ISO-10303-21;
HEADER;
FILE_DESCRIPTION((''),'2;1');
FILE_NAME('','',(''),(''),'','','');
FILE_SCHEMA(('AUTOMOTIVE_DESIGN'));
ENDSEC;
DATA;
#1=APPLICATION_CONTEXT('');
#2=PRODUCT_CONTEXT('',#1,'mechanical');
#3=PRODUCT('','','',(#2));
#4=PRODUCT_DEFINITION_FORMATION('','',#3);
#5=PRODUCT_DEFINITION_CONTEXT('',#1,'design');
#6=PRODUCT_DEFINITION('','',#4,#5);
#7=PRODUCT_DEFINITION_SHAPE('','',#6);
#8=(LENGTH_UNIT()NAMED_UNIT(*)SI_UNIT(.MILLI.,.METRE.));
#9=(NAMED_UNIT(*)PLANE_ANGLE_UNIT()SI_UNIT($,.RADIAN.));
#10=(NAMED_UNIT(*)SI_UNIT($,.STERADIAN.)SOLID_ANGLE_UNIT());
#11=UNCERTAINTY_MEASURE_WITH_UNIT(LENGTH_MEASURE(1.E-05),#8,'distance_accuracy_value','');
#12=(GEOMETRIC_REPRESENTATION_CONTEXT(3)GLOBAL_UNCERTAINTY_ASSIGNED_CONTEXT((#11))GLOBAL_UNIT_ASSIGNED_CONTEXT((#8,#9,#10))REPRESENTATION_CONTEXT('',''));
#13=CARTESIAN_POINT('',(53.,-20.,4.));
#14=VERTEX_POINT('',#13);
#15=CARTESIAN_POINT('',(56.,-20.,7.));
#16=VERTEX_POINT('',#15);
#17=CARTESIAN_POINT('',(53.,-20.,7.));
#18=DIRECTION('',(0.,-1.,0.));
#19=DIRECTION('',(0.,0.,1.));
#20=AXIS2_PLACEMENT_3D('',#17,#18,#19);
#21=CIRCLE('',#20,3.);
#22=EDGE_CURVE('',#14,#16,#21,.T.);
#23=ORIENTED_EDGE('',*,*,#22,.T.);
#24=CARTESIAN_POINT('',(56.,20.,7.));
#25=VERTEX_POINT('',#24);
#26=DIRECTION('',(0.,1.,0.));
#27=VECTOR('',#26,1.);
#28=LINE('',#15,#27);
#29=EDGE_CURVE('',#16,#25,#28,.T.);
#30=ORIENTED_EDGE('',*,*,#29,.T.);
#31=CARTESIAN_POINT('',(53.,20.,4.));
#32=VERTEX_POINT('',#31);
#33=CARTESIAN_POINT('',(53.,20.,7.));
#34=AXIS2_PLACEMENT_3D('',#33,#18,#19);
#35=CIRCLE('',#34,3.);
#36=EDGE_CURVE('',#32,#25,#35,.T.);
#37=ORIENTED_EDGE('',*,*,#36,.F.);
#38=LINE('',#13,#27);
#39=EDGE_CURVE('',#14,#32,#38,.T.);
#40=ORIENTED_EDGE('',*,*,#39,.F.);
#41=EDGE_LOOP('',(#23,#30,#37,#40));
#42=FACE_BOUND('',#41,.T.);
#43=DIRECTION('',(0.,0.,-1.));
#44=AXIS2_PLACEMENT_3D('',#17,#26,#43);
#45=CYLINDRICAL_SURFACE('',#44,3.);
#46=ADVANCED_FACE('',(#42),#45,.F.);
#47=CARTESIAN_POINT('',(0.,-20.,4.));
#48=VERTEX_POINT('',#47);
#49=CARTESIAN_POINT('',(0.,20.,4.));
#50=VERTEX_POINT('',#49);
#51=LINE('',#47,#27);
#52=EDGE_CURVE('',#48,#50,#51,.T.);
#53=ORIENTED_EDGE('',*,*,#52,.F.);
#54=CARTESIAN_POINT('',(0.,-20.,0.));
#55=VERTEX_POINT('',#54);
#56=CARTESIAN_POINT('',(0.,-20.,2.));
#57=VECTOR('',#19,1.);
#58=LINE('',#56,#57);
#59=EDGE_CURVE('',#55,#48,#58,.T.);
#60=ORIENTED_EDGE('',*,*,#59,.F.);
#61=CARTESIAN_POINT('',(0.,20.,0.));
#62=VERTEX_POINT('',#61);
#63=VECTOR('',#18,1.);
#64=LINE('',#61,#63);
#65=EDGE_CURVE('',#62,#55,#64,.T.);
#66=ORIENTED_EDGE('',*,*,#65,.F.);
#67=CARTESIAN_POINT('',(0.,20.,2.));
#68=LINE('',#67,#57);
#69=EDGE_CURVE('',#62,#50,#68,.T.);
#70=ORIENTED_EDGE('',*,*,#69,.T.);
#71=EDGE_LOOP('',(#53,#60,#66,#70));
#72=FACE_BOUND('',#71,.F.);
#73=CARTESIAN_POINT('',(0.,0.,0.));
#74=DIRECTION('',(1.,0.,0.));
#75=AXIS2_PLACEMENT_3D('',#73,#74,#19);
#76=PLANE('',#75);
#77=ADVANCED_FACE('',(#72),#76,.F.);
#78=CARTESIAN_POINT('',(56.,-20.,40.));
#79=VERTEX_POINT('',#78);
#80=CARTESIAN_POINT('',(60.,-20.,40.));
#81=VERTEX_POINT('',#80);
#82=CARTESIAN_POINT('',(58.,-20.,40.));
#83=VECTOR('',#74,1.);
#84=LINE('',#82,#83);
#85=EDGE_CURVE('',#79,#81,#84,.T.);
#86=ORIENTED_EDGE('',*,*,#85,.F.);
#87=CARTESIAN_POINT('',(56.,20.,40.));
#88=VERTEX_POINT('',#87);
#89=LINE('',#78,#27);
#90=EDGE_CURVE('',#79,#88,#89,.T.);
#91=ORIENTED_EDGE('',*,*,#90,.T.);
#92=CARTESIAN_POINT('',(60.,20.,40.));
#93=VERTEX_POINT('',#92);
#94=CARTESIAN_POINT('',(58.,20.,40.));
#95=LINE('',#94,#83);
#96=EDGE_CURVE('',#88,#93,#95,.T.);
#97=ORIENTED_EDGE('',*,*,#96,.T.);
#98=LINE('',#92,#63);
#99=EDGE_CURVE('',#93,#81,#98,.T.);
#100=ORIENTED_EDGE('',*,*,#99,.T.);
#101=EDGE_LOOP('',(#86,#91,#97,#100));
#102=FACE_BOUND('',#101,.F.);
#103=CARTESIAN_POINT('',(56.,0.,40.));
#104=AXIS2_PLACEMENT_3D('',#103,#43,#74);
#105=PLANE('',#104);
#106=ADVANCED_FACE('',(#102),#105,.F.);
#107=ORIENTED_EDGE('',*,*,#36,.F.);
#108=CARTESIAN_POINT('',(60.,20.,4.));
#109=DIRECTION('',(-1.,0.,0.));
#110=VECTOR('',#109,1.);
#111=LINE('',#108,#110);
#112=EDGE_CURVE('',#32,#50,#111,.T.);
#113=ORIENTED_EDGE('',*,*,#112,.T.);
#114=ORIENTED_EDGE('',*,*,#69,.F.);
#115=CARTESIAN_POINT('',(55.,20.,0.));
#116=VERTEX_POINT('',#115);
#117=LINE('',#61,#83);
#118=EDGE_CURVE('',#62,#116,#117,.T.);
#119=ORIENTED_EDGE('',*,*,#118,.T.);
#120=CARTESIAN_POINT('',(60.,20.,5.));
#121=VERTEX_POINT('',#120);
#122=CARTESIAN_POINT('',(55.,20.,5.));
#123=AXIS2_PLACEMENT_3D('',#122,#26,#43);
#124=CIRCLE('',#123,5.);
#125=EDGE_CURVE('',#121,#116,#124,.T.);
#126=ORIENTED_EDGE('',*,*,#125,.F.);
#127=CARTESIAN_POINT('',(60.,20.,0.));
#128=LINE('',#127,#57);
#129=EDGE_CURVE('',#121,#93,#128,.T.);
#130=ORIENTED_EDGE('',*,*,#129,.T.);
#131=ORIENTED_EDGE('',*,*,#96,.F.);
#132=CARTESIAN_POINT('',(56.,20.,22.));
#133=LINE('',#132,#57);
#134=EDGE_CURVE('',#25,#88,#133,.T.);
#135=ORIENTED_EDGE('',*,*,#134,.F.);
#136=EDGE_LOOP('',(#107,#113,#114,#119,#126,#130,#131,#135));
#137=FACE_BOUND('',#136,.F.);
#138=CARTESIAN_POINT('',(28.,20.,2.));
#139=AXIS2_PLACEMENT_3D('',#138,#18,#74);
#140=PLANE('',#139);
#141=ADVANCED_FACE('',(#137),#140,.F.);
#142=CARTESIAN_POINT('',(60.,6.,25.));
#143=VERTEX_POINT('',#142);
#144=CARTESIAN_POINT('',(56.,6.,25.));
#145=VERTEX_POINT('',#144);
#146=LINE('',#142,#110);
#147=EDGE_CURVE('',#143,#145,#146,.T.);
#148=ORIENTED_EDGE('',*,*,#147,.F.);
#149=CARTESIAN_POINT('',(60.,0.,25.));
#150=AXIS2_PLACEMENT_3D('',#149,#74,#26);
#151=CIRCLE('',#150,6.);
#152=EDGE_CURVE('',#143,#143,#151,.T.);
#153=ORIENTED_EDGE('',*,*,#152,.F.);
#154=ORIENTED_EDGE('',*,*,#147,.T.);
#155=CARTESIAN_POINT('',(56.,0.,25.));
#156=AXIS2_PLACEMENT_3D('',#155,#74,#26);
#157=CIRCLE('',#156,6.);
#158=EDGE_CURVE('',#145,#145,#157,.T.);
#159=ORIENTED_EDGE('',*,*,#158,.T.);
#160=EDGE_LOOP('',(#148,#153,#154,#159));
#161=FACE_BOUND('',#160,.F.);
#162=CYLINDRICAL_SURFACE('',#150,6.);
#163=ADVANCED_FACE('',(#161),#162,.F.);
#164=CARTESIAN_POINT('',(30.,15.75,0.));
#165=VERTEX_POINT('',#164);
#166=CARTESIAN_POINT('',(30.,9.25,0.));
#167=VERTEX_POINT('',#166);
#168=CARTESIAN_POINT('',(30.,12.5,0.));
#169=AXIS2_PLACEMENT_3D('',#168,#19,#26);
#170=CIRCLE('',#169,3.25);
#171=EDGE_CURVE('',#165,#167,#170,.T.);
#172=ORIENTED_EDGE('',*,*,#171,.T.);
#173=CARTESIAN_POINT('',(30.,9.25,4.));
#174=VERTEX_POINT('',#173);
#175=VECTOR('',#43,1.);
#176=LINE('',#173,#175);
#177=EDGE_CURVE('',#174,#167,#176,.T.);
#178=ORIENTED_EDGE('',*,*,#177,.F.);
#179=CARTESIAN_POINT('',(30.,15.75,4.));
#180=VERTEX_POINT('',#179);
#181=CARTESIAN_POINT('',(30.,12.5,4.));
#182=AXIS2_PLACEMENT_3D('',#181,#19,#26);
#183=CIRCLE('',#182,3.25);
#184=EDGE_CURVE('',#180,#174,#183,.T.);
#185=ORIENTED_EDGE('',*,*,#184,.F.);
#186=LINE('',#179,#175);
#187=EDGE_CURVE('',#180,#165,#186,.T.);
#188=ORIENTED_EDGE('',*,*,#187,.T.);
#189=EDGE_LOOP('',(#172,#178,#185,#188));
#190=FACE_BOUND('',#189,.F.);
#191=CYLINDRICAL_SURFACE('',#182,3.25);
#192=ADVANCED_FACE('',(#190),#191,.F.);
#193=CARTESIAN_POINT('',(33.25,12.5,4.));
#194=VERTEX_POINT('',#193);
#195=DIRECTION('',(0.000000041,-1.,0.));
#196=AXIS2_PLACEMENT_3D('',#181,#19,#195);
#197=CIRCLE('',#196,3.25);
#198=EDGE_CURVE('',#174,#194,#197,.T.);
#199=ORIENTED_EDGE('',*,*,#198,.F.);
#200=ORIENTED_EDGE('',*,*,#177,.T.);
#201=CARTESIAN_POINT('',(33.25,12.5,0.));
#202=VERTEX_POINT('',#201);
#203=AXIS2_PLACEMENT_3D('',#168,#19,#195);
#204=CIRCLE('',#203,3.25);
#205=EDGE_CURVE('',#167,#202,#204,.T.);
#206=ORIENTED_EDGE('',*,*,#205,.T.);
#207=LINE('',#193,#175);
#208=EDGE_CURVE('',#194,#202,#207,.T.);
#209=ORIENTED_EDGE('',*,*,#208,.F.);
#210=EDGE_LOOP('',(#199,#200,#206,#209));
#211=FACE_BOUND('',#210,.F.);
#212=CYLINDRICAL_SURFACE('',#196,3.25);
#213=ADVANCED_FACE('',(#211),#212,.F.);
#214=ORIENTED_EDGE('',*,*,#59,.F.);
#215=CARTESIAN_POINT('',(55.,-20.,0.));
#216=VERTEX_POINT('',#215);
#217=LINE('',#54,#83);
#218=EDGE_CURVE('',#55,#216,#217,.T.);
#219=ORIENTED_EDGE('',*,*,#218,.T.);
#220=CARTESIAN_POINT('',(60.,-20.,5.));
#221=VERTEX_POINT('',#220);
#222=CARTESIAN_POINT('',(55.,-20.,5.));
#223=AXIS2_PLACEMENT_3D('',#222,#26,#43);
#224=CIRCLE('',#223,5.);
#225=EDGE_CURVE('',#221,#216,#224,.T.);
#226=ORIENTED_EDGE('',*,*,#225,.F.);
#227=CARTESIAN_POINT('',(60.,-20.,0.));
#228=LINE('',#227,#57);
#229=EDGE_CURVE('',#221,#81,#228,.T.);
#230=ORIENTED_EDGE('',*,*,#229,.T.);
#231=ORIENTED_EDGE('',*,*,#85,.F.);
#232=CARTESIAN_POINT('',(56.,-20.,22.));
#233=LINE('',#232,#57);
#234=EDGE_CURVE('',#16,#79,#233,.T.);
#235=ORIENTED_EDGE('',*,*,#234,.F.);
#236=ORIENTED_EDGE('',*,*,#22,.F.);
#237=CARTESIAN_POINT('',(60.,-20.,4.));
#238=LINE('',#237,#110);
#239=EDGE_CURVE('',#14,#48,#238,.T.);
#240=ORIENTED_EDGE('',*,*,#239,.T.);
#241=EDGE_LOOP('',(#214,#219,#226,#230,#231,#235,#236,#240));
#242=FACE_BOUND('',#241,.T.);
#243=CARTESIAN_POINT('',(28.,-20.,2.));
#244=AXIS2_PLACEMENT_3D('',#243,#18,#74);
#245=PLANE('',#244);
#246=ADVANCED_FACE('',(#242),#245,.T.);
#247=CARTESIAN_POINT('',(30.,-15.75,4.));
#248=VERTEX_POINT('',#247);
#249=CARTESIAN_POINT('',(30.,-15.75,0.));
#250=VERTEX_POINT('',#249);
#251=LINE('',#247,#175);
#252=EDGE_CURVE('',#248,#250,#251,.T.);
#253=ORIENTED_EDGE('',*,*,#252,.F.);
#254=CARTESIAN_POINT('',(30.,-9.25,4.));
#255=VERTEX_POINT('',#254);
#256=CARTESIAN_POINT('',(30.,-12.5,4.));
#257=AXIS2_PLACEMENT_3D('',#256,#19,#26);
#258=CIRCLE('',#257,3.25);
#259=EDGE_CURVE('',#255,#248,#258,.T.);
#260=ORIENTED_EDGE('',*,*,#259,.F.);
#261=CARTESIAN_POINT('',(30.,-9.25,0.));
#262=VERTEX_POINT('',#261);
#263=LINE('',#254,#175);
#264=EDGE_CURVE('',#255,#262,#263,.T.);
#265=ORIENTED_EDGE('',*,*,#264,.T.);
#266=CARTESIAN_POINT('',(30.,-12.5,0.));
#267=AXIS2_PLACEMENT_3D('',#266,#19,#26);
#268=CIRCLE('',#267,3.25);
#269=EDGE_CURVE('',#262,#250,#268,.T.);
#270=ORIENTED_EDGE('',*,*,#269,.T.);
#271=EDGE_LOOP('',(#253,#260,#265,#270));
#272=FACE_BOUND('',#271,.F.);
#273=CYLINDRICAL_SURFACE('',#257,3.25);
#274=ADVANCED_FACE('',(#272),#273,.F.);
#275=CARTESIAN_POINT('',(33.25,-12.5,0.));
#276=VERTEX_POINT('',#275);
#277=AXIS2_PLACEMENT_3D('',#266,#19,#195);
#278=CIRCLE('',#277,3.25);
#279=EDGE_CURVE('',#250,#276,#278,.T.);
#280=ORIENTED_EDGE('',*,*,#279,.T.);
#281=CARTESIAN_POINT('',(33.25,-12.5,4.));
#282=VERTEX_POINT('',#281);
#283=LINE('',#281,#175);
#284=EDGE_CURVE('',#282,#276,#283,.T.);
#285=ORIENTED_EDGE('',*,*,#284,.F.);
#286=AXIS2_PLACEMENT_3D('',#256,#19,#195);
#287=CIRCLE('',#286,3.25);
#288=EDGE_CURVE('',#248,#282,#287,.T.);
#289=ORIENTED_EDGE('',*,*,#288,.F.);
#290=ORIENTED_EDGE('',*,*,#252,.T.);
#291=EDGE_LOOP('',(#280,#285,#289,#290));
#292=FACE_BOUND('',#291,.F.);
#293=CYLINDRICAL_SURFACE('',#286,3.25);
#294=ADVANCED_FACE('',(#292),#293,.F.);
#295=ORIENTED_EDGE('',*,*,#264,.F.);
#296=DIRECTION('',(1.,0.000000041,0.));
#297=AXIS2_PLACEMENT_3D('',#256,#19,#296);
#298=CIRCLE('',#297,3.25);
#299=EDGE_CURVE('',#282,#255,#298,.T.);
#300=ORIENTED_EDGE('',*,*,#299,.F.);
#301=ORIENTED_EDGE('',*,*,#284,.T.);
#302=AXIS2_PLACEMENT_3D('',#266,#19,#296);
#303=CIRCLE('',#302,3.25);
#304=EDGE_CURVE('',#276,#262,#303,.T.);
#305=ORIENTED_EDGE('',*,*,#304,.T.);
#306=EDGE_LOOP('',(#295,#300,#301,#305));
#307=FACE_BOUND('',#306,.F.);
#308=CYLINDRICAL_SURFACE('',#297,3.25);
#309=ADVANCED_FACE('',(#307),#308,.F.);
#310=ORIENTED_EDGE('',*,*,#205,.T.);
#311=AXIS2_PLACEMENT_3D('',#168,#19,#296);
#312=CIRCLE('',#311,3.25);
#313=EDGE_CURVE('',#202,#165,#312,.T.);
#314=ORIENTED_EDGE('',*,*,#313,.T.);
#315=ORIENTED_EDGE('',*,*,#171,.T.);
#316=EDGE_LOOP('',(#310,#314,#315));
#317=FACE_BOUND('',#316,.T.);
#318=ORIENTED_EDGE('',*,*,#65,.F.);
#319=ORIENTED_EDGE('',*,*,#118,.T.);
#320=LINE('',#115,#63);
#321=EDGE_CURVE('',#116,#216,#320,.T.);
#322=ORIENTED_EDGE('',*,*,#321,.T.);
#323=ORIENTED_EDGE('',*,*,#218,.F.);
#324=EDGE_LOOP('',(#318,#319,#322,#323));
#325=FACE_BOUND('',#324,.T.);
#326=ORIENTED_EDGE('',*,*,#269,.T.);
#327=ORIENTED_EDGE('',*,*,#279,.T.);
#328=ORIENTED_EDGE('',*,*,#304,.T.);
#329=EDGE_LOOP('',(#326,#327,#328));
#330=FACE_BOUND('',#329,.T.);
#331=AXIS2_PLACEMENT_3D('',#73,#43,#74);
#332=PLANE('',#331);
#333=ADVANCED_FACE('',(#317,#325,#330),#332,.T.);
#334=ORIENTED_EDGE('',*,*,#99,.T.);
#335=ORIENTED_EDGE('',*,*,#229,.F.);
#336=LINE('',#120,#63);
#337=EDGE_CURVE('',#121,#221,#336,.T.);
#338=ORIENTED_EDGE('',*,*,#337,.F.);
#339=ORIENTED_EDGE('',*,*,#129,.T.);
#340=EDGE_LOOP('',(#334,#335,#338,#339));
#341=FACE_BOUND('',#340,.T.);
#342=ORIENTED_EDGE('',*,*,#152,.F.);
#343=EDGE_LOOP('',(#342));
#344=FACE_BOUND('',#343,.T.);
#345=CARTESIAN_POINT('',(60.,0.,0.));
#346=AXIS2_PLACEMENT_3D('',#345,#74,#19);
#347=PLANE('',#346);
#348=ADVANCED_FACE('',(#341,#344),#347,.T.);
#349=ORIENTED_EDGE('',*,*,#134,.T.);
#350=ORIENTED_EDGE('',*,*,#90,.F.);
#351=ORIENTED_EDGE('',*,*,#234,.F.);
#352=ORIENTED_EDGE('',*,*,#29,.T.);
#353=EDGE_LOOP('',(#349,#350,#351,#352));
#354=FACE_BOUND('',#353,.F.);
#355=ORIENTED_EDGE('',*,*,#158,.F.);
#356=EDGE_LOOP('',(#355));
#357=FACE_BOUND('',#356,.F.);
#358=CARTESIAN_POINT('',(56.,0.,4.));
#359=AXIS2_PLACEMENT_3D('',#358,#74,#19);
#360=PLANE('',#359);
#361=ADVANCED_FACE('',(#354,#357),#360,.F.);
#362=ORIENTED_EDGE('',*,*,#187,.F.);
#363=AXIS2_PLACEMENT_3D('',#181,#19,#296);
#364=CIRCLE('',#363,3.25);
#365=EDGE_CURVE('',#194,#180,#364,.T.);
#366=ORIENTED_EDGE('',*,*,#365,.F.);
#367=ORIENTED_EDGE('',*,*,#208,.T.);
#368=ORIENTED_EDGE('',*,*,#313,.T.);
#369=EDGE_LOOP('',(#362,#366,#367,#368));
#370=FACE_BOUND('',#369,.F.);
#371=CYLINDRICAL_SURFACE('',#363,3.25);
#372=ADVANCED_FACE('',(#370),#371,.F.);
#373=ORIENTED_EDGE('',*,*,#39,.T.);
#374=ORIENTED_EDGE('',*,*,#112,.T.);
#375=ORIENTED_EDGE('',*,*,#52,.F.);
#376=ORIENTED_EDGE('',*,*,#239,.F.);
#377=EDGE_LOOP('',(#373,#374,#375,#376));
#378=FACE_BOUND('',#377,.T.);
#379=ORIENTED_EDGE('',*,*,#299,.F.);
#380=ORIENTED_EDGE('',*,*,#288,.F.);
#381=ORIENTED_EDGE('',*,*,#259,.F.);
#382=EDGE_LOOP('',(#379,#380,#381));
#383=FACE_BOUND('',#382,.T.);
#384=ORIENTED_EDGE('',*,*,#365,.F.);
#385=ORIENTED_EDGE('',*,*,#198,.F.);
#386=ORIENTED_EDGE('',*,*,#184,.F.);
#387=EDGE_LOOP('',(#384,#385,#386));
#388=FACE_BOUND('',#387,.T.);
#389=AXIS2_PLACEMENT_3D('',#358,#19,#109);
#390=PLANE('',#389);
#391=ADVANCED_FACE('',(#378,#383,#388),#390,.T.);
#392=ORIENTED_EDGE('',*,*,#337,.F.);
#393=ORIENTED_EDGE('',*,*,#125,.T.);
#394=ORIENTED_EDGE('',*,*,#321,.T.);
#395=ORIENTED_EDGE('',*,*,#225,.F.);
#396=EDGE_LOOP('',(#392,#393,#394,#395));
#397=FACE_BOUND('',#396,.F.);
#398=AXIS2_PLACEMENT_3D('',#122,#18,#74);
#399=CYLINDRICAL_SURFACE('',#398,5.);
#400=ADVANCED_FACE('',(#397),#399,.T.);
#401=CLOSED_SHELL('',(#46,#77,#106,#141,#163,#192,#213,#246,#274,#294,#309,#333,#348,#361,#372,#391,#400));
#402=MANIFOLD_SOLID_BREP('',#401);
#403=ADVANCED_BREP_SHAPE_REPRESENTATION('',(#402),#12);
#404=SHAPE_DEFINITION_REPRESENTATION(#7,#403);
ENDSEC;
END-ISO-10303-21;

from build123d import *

# Parameters (mm, degrees)
F0_W     = 56
F0_H     = 4
F0_W_2   = 4
F0_H_2   = 36
F1_DEPTH = 20
F2_R     = 5
F3_R     = 3
F4_R     = 6
F5_DEPTH = 4
F7_DEPTH = 4


with BuildPart() as f1:
    # F0 (on Front) → F1 (new body, symmetric)
    with BuildSketch(Plane.XZ):
        with Locations((28, 2)):
            Rectangle(F0_W, F0_H)
        with Locations((58, 2)):
            Rectangle(F0_W_2, F0_H)
        with Locations((58, 22)):
            Rectangle(F0_W_2, F0_H_2)
    extrude(amount=F1_DEPTH, both=True)

    # F2
    f2_edges = [f1.edges().sort_by_distance(p)[0] for p in [
        (60, 0, 0),
    ]]
    fillet(f2_edges, radius=F2_R)

    # F3
    f3_edges = [f1.edges().sort_by_distance(p)[0] for p in [
        (56, 0, 4),
    ]]
    fillet(f3_edges, radius=F3_R)

    # F4 (on face) → F5 (cut)
    with BuildSketch(Plane.YZ.offset(60)):
        with Locations((0, 25)):
            Circle(F4_R)
    extrude(amount=-F5_DEPTH, mode=Mode.SUBTRACT)

    # F6 (on face) → F7 (cut)
    with BuildSketch(Plane.XY.offset(4)):
        with BuildLine():
            ThreePointArc((30, -15.75), (32.298097, -14.798097), (33.25, -12.5))
            ThreePointArc((33.25, -12.5), (32.298097, -10.201903), (30, -9.25))
            Line((30, -9.25), (30, -15.75))
        make_face()
        with BuildLine():
            ThreePointArc((30, 15.75), (26.75, 12.5), (30, 9.25))
            Line((30, 9.25), (30, 15.75))
        make_face()
        with BuildLine():
            Line((30, 15.75), (30, 9.25))
            ThreePointArc((30, 9.25), (32.298097, 10.201903), (33.25, 12.5))
            ThreePointArc((33.25, 12.5), (32.298097, 14.798097), (30, 15.75))
        make_face()
        with BuildLine():
            Line((30, -15.75), (30, -9.25))
            ThreePointArc((30, -9.25), (26.75, -12.5), (30, -15.75))
        make_face()
    extrude(amount=-F7_DEPTH, mode=Mode.SUBTRACT)


solid = f1.part
